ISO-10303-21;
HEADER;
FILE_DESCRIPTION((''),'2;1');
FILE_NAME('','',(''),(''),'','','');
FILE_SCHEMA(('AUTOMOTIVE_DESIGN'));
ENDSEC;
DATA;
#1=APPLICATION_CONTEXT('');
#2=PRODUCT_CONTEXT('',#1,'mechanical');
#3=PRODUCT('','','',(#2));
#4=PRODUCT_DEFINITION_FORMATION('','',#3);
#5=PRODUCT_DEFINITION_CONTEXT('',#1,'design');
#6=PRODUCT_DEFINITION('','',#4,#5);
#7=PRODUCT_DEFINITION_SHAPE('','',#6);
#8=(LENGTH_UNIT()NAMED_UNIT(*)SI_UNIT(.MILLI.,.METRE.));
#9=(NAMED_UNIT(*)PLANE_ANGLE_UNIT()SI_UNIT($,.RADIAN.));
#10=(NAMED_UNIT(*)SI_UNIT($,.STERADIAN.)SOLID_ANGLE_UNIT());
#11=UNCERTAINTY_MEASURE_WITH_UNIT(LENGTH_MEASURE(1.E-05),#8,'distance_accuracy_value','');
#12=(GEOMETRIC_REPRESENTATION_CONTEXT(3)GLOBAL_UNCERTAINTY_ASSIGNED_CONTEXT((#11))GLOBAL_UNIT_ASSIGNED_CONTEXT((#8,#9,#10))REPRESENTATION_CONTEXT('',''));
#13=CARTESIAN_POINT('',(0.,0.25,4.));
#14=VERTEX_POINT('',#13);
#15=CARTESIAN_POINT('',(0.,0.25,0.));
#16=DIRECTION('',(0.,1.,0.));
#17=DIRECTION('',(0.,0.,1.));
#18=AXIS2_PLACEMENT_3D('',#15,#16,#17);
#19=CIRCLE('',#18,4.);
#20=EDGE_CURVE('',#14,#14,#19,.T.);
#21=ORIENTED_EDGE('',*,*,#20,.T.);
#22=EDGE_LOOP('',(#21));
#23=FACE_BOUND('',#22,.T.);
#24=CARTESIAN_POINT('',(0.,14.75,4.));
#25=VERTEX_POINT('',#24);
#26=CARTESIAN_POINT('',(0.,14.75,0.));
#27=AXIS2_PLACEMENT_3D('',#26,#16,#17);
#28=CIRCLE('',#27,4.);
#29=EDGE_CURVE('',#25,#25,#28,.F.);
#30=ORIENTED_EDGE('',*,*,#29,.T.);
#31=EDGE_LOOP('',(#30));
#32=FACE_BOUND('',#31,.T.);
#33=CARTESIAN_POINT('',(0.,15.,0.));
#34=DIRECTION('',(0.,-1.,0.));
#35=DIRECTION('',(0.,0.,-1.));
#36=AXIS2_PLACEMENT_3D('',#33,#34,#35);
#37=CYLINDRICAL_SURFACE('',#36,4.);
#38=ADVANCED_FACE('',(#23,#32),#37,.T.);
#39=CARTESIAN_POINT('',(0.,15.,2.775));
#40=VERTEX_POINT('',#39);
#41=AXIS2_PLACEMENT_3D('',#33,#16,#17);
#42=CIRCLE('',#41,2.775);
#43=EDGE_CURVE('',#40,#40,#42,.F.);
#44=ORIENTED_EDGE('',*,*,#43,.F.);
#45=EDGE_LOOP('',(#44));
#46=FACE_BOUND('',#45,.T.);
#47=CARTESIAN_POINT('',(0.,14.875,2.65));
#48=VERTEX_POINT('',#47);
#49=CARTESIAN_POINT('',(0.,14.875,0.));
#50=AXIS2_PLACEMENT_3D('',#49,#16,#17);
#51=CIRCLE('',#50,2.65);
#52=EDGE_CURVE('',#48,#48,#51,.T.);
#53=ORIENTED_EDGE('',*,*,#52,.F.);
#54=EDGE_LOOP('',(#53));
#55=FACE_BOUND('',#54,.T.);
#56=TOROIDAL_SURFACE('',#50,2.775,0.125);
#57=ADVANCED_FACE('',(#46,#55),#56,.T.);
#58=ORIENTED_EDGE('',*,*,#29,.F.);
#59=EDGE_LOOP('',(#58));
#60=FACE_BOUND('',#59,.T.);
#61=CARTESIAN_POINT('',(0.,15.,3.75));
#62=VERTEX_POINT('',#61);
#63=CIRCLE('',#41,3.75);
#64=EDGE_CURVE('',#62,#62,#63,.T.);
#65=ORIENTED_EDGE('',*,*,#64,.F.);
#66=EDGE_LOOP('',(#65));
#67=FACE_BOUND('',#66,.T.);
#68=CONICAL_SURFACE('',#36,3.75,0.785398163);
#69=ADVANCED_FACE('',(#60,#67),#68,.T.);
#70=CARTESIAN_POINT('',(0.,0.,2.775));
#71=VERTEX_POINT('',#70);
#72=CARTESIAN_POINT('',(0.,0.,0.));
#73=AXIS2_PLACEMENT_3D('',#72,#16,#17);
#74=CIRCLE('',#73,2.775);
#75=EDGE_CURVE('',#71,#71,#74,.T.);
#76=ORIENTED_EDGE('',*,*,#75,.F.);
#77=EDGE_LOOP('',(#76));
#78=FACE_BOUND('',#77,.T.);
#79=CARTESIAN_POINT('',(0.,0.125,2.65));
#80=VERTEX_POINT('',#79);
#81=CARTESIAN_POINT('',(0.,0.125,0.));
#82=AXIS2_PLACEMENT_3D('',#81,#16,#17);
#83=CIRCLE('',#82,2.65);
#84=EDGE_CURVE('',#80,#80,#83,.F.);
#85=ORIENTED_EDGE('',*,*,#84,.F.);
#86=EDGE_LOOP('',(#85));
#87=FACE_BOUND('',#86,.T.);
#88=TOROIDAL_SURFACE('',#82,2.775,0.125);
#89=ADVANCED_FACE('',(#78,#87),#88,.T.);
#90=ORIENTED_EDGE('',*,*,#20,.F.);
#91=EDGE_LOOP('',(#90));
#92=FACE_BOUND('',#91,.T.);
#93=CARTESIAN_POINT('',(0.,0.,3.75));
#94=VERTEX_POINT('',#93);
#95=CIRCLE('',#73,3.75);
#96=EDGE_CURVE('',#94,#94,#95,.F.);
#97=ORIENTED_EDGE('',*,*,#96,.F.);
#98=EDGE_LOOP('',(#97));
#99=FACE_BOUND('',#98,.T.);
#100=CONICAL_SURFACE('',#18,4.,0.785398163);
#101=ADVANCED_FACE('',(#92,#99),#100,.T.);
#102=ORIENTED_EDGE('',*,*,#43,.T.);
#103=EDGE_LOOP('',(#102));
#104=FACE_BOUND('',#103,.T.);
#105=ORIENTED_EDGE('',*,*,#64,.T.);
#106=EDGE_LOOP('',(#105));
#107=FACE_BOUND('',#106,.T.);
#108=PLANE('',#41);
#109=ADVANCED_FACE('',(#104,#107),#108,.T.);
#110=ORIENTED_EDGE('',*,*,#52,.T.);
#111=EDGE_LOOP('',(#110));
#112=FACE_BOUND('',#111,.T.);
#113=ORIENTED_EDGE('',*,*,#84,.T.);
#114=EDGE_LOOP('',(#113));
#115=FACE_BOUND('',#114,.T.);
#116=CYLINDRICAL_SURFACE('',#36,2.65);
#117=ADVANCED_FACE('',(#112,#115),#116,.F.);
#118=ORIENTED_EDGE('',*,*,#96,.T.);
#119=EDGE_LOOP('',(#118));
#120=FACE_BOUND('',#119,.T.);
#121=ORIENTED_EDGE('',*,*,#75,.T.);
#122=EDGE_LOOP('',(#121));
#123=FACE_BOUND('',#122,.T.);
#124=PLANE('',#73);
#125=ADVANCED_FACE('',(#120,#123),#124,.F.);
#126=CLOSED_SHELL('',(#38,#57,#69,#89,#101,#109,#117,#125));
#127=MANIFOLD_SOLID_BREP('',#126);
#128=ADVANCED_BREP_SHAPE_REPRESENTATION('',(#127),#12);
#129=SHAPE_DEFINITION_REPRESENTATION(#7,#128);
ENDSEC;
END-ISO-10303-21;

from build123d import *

# Parameters (mm, degrees)
SKETCH2_R           = 4
SKETCH2_R_2         = 2.65
BOSS_EXTRUDE1_DEPTH = 15
CHAMFER1_SIZE       = 0.25
FILLET2_R           = 0.125


with BuildPart() as part:
    # Sketch2 → Boss-Extrude1 (new body)
    with BuildSketch(Plane(origin=(0, 0, 0), x_dir=(1, 0, 0), z_dir=(0, 1, 0))):
        with Locations(Location((0, 0, 0), (0, 0, 270))):
            Circle(SKETCH2_R)
        with Locations(Location((0, 0, 0), (0, 0, 270))):
            Circle(SKETCH2_R_2, mode=Mode.SUBTRACT)
    extrude(amount=BOSS_EXTRUDE1_DEPTH)

    # Chamfer1
    chamfer1_edges = [part.edges().sort_by_distance(p)[0] for p in [
        (0, 0, -4),
        (0, 15, -4),
    ]]
    chamfer(chamfer1_edges, length=CHAMFER1_SIZE)

    # Fillet2
    fillet2_edges = [part.edges().sort_by_distance(p)[0] for p in [
        (0, 0, -2.65),
        (0, 15, -2.65),
    ]]
    fillet(fillet2_edges, radius=FILLET2_R)


solid = part.part
